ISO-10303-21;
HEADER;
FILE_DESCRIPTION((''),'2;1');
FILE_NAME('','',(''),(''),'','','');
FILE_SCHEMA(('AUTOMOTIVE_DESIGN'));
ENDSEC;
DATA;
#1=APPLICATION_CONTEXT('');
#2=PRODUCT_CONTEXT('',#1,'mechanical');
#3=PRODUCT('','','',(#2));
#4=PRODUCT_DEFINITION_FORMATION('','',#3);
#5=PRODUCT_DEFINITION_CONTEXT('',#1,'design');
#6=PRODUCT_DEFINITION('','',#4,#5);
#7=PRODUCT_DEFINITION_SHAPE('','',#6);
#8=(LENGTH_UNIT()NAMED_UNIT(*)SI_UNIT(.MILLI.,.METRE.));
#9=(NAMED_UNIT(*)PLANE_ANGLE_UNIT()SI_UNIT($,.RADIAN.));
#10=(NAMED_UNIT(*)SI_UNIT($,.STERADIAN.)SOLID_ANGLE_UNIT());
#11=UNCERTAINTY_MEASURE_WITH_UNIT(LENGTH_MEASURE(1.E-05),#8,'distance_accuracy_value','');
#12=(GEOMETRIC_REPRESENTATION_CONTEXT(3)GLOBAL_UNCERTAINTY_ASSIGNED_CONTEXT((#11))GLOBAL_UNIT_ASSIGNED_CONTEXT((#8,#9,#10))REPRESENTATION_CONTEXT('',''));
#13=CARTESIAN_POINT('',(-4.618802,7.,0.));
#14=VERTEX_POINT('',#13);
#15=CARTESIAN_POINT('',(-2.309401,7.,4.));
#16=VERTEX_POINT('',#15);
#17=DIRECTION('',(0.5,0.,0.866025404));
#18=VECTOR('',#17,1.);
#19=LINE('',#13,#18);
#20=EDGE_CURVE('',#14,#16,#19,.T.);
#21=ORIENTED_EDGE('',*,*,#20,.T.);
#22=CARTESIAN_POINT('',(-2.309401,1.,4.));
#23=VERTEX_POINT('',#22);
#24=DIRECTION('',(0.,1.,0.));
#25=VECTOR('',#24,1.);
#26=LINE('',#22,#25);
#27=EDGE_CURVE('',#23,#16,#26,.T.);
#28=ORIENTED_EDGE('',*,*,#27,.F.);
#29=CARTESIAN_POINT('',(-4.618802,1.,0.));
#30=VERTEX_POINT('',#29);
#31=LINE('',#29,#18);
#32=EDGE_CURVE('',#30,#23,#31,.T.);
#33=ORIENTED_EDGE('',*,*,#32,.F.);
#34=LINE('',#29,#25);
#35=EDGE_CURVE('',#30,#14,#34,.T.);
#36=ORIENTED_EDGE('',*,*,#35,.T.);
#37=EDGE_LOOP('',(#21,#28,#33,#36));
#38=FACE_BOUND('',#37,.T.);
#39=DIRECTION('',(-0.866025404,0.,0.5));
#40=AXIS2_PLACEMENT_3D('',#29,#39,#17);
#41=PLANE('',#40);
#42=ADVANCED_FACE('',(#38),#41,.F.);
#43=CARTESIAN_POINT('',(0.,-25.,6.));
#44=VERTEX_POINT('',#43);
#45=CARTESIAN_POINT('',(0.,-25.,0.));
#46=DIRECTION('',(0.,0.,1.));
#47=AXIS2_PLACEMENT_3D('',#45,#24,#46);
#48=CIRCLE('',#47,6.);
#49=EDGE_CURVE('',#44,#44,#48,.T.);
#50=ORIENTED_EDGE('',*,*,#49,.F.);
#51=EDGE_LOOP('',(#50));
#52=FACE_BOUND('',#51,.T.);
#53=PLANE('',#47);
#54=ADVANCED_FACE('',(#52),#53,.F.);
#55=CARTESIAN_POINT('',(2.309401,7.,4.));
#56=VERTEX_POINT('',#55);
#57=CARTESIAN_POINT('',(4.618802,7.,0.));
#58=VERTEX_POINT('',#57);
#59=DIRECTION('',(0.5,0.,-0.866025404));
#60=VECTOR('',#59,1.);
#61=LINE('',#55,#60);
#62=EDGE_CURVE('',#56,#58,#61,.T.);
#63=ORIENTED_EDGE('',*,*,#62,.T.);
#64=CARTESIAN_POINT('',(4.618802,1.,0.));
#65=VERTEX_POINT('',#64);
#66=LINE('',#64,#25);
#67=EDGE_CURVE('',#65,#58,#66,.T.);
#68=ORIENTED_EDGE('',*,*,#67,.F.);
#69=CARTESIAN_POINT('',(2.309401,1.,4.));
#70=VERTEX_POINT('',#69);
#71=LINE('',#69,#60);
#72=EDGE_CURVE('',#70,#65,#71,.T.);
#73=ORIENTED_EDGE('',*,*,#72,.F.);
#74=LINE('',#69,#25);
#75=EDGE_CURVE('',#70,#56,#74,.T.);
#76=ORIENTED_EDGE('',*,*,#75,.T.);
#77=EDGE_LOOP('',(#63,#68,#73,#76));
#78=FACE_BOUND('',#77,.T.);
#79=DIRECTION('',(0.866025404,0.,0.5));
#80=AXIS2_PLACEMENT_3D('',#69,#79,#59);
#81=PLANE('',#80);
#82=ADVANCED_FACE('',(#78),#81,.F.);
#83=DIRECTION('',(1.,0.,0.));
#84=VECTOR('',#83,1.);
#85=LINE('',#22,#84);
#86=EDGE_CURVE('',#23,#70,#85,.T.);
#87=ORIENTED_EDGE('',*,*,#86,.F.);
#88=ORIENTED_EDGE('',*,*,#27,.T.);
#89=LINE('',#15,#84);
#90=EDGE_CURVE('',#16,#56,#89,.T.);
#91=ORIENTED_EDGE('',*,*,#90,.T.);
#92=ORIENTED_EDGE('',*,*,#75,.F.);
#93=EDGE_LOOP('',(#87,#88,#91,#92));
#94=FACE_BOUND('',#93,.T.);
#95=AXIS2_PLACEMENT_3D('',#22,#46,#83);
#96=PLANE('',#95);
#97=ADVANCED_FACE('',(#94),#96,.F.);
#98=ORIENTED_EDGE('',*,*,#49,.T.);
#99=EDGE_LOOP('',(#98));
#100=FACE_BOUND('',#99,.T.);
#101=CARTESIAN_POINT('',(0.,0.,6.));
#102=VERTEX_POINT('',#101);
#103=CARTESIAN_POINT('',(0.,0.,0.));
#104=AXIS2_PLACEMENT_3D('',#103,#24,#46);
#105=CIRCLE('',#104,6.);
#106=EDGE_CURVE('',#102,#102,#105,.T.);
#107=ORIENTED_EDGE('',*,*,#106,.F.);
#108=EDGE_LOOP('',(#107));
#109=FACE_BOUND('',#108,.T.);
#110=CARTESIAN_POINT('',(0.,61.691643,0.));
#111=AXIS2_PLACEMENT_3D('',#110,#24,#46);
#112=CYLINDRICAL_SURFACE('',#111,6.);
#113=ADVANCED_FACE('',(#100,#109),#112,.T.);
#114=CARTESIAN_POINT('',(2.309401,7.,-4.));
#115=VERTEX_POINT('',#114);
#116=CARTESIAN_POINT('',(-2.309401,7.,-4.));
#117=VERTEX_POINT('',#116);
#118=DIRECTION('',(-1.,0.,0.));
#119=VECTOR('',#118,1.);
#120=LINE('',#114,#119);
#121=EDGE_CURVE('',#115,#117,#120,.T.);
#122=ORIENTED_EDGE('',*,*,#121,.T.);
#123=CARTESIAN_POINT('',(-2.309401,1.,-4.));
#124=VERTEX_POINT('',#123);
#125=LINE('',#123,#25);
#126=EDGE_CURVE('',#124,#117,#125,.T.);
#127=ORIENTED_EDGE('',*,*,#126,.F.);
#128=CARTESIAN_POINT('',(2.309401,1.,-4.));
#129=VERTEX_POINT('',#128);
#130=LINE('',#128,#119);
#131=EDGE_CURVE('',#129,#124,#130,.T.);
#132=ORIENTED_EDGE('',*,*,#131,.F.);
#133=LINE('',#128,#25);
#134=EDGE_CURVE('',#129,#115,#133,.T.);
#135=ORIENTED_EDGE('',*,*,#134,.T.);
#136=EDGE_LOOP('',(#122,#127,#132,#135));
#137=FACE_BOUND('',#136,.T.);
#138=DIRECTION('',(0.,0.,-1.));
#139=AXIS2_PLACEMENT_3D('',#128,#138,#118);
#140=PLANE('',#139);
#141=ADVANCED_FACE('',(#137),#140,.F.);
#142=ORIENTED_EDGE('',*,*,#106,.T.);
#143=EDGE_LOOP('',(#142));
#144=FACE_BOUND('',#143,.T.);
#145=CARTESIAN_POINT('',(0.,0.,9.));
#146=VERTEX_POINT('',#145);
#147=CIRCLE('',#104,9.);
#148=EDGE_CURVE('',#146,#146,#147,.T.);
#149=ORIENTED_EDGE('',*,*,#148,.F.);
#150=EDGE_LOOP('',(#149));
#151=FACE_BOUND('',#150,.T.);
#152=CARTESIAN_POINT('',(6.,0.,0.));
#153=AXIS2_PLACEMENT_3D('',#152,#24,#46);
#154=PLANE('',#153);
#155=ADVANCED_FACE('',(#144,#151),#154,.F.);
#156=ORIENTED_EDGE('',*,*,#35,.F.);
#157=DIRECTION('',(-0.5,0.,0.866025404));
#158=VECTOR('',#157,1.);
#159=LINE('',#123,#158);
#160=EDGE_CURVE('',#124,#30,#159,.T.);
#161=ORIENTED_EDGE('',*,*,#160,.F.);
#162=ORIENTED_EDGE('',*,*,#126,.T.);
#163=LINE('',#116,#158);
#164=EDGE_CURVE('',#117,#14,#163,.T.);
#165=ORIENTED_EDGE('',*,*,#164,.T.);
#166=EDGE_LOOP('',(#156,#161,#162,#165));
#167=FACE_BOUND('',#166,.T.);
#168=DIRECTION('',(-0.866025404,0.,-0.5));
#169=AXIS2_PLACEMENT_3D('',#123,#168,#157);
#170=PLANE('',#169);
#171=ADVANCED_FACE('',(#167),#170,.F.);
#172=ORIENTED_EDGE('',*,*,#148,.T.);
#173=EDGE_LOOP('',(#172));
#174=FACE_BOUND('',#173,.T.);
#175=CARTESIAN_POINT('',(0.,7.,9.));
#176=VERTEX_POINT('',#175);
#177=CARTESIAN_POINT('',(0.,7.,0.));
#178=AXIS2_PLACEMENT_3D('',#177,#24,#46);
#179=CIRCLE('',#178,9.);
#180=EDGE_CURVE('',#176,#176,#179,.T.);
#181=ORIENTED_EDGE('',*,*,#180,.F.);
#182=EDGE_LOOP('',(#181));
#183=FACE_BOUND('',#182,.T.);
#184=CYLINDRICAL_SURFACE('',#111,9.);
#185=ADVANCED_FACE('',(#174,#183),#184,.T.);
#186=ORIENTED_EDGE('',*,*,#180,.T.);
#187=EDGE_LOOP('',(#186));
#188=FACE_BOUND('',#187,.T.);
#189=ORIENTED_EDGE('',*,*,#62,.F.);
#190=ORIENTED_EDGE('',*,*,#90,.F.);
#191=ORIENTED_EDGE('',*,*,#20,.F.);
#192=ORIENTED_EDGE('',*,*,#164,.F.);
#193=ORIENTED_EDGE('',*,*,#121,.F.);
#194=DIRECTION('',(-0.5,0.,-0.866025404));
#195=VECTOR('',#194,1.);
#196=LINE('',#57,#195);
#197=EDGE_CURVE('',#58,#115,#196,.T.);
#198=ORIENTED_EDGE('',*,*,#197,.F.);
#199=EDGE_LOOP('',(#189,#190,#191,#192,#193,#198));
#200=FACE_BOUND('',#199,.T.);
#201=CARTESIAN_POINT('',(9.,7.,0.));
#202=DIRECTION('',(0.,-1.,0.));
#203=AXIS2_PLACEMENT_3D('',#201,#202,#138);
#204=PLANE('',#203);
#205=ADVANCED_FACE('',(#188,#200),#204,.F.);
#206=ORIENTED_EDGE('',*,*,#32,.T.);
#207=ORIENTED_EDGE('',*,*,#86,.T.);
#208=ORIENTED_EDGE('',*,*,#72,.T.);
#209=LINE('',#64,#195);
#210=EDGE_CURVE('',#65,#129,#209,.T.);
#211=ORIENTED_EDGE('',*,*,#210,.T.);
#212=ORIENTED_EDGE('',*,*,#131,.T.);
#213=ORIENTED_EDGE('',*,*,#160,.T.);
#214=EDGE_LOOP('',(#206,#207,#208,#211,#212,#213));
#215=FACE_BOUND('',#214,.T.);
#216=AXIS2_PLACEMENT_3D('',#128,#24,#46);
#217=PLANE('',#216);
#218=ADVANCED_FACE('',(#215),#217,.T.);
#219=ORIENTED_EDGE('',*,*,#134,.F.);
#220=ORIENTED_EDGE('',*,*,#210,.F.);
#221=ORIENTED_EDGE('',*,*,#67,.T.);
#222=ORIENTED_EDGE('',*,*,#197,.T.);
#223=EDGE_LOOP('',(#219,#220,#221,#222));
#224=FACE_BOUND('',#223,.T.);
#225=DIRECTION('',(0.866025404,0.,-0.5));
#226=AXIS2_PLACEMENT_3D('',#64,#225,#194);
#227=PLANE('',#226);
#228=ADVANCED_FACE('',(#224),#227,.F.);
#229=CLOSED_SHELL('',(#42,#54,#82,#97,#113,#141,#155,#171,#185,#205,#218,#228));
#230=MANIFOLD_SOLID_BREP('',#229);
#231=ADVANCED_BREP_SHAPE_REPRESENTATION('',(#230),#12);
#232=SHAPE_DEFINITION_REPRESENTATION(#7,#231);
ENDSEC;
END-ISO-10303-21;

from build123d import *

# Parameters (mm, degrees)
CUT_EXTRUDE1_DEPTH = 6


with BuildPart() as part:
    # Sketch1 → Revolve1 (revolve)
    with BuildSketch(Plane.XY, mode=Mode.PRIVATE) as revolve1_sk:
        Polygon((0, -25), (6, -25), (6, 0), (9, 0), (9, 7), (0, 7), align=None)
    revolve(revolve1_sk.sketch.rotate(Axis((0, 61.691642626, 0), (0, -1, 0)), 90), axis=Axis((0, 61.691642626, 0), (0, -1, 0)))

    # Sketch2 → Cut-Extrude1 (cut)
    with BuildSketch(Plane(origin=(0, 7, 0), x_dir=(-1, 0, 0), z_dir=(0, 1, 0))):
        Polygon((-2.309401077, -4), (2.309401077, -4), (4.618802154, 0), (2.309401077, 4), (-2.309401077, 4), (-4.618802154, 0), align=None)
    extrude(amount=-CUT_EXTRUDE1_DEPTH, mode=Mode.SUBTRACT)


solid = part.part
